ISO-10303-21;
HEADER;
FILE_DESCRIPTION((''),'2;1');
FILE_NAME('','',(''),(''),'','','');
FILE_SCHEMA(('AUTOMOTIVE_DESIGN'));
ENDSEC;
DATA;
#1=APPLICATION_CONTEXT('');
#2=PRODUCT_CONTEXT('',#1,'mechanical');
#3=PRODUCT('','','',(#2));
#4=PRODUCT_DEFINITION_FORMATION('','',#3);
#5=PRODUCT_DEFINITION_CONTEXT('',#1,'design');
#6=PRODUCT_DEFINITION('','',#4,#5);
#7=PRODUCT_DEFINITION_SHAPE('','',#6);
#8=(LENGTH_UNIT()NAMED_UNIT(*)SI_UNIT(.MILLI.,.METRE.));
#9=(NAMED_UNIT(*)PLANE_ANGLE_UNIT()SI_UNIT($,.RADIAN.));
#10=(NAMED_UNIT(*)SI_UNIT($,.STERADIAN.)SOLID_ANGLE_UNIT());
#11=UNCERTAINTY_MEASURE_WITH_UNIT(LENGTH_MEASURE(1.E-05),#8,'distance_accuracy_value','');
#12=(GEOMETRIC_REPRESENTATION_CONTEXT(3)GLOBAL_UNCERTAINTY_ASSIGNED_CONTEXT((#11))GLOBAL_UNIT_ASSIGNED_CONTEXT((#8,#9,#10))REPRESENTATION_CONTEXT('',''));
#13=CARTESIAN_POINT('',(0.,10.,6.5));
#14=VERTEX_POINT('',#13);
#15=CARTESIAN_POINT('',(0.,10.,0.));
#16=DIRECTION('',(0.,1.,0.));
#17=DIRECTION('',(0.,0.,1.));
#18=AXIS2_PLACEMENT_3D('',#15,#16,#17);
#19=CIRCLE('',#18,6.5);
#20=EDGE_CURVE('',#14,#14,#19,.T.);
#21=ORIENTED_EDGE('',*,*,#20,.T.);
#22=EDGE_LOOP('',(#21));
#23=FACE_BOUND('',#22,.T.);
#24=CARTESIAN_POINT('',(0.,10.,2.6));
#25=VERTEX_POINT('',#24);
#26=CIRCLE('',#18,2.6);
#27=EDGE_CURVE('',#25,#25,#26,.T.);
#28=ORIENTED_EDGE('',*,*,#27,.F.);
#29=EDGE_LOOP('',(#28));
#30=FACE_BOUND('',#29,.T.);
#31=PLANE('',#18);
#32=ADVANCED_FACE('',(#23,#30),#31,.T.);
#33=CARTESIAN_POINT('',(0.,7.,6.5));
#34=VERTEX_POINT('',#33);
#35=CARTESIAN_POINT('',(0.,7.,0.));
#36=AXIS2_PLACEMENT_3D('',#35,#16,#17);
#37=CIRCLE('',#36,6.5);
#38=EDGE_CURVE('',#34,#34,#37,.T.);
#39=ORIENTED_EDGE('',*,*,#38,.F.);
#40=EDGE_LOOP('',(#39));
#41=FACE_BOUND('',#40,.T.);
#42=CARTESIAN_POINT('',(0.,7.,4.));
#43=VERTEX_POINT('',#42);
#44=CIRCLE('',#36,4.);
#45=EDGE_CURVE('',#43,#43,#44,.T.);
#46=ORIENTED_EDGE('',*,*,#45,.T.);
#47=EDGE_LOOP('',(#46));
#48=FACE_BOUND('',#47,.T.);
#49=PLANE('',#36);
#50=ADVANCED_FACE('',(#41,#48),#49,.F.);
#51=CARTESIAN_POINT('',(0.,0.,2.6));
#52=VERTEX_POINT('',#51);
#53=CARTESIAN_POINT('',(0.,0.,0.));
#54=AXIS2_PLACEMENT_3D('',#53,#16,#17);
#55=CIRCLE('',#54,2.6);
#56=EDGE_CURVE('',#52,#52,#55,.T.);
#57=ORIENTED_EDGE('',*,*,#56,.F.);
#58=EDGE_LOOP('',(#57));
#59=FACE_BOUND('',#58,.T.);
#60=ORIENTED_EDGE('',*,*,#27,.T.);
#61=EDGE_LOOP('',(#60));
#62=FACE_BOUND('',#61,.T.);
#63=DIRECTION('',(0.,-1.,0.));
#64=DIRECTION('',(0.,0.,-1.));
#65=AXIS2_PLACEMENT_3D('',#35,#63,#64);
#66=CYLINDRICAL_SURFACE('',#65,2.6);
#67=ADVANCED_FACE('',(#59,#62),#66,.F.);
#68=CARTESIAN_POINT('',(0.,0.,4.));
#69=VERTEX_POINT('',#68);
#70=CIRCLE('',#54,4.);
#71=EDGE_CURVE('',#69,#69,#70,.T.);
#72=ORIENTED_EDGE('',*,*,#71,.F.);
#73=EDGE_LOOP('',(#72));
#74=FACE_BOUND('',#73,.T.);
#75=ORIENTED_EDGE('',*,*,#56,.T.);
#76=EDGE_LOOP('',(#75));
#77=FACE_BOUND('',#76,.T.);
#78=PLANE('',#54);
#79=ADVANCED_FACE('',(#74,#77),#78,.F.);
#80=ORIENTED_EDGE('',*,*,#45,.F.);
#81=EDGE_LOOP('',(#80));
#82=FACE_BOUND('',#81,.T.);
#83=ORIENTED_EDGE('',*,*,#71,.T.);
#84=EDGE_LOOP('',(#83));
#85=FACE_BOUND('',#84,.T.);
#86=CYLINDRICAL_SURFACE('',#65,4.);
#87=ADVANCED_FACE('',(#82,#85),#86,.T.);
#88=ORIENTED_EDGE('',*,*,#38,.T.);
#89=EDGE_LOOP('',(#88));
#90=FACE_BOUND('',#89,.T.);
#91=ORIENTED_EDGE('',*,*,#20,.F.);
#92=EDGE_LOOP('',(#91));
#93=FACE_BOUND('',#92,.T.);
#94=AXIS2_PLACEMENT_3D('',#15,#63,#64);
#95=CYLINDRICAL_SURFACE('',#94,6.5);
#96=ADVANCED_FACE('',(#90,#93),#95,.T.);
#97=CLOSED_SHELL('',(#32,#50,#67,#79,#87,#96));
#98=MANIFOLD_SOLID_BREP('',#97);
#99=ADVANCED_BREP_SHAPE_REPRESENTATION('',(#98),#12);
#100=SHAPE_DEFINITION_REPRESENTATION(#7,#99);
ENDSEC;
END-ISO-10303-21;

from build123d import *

# Parameters (mm, degrees)
SKETCH1_R           = 4
SKETCH1_R_2         = 2.6
BOSS_EXTRUDE1_DEPTH = 7
SKETCH2_R           = 6.5
SKETCH2_R_2         = 2.6
BOSS_EXTRUDE2_DEPTH = 3


with BuildPart() as part:
    # Sketch1 → Boss-Extrude1 (new body)
    with BuildSketch(Plane(origin=(0, 0, 0), x_dir=(1, 0, 0), z_dir=(0, 1, 0))):
        with Locations(Location((0, 0, 0), (0, 0, 270))):
            Circle(SKETCH1_R)
        with Locations(Location((0, 0, 0), (0, 0, 270))):
            Circle(SKETCH1_R_2, mode=Mode.SUBTRACT)
    extrude(amount=BOSS_EXTRUDE1_DEPTH)

    # Sketch2 → Boss-Extrude2 (add)
    with BuildSketch(Plane(origin=(0, 7, 0), x_dir=(1, 0, 0), z_dir=(0, 1, 0))):
        with Locations(Location((0, 0, 0), (0, 0, 270))):
            Circle(SKETCH2_R)
        with Locations(Location((0, 0, 0), (0, 0, 270))):
            Circle(SKETCH2_R_2, mode=Mode.SUBTRACT)
    extrude(amount=BOSS_EXTRUDE2_DEPTH)


solid = part.part
